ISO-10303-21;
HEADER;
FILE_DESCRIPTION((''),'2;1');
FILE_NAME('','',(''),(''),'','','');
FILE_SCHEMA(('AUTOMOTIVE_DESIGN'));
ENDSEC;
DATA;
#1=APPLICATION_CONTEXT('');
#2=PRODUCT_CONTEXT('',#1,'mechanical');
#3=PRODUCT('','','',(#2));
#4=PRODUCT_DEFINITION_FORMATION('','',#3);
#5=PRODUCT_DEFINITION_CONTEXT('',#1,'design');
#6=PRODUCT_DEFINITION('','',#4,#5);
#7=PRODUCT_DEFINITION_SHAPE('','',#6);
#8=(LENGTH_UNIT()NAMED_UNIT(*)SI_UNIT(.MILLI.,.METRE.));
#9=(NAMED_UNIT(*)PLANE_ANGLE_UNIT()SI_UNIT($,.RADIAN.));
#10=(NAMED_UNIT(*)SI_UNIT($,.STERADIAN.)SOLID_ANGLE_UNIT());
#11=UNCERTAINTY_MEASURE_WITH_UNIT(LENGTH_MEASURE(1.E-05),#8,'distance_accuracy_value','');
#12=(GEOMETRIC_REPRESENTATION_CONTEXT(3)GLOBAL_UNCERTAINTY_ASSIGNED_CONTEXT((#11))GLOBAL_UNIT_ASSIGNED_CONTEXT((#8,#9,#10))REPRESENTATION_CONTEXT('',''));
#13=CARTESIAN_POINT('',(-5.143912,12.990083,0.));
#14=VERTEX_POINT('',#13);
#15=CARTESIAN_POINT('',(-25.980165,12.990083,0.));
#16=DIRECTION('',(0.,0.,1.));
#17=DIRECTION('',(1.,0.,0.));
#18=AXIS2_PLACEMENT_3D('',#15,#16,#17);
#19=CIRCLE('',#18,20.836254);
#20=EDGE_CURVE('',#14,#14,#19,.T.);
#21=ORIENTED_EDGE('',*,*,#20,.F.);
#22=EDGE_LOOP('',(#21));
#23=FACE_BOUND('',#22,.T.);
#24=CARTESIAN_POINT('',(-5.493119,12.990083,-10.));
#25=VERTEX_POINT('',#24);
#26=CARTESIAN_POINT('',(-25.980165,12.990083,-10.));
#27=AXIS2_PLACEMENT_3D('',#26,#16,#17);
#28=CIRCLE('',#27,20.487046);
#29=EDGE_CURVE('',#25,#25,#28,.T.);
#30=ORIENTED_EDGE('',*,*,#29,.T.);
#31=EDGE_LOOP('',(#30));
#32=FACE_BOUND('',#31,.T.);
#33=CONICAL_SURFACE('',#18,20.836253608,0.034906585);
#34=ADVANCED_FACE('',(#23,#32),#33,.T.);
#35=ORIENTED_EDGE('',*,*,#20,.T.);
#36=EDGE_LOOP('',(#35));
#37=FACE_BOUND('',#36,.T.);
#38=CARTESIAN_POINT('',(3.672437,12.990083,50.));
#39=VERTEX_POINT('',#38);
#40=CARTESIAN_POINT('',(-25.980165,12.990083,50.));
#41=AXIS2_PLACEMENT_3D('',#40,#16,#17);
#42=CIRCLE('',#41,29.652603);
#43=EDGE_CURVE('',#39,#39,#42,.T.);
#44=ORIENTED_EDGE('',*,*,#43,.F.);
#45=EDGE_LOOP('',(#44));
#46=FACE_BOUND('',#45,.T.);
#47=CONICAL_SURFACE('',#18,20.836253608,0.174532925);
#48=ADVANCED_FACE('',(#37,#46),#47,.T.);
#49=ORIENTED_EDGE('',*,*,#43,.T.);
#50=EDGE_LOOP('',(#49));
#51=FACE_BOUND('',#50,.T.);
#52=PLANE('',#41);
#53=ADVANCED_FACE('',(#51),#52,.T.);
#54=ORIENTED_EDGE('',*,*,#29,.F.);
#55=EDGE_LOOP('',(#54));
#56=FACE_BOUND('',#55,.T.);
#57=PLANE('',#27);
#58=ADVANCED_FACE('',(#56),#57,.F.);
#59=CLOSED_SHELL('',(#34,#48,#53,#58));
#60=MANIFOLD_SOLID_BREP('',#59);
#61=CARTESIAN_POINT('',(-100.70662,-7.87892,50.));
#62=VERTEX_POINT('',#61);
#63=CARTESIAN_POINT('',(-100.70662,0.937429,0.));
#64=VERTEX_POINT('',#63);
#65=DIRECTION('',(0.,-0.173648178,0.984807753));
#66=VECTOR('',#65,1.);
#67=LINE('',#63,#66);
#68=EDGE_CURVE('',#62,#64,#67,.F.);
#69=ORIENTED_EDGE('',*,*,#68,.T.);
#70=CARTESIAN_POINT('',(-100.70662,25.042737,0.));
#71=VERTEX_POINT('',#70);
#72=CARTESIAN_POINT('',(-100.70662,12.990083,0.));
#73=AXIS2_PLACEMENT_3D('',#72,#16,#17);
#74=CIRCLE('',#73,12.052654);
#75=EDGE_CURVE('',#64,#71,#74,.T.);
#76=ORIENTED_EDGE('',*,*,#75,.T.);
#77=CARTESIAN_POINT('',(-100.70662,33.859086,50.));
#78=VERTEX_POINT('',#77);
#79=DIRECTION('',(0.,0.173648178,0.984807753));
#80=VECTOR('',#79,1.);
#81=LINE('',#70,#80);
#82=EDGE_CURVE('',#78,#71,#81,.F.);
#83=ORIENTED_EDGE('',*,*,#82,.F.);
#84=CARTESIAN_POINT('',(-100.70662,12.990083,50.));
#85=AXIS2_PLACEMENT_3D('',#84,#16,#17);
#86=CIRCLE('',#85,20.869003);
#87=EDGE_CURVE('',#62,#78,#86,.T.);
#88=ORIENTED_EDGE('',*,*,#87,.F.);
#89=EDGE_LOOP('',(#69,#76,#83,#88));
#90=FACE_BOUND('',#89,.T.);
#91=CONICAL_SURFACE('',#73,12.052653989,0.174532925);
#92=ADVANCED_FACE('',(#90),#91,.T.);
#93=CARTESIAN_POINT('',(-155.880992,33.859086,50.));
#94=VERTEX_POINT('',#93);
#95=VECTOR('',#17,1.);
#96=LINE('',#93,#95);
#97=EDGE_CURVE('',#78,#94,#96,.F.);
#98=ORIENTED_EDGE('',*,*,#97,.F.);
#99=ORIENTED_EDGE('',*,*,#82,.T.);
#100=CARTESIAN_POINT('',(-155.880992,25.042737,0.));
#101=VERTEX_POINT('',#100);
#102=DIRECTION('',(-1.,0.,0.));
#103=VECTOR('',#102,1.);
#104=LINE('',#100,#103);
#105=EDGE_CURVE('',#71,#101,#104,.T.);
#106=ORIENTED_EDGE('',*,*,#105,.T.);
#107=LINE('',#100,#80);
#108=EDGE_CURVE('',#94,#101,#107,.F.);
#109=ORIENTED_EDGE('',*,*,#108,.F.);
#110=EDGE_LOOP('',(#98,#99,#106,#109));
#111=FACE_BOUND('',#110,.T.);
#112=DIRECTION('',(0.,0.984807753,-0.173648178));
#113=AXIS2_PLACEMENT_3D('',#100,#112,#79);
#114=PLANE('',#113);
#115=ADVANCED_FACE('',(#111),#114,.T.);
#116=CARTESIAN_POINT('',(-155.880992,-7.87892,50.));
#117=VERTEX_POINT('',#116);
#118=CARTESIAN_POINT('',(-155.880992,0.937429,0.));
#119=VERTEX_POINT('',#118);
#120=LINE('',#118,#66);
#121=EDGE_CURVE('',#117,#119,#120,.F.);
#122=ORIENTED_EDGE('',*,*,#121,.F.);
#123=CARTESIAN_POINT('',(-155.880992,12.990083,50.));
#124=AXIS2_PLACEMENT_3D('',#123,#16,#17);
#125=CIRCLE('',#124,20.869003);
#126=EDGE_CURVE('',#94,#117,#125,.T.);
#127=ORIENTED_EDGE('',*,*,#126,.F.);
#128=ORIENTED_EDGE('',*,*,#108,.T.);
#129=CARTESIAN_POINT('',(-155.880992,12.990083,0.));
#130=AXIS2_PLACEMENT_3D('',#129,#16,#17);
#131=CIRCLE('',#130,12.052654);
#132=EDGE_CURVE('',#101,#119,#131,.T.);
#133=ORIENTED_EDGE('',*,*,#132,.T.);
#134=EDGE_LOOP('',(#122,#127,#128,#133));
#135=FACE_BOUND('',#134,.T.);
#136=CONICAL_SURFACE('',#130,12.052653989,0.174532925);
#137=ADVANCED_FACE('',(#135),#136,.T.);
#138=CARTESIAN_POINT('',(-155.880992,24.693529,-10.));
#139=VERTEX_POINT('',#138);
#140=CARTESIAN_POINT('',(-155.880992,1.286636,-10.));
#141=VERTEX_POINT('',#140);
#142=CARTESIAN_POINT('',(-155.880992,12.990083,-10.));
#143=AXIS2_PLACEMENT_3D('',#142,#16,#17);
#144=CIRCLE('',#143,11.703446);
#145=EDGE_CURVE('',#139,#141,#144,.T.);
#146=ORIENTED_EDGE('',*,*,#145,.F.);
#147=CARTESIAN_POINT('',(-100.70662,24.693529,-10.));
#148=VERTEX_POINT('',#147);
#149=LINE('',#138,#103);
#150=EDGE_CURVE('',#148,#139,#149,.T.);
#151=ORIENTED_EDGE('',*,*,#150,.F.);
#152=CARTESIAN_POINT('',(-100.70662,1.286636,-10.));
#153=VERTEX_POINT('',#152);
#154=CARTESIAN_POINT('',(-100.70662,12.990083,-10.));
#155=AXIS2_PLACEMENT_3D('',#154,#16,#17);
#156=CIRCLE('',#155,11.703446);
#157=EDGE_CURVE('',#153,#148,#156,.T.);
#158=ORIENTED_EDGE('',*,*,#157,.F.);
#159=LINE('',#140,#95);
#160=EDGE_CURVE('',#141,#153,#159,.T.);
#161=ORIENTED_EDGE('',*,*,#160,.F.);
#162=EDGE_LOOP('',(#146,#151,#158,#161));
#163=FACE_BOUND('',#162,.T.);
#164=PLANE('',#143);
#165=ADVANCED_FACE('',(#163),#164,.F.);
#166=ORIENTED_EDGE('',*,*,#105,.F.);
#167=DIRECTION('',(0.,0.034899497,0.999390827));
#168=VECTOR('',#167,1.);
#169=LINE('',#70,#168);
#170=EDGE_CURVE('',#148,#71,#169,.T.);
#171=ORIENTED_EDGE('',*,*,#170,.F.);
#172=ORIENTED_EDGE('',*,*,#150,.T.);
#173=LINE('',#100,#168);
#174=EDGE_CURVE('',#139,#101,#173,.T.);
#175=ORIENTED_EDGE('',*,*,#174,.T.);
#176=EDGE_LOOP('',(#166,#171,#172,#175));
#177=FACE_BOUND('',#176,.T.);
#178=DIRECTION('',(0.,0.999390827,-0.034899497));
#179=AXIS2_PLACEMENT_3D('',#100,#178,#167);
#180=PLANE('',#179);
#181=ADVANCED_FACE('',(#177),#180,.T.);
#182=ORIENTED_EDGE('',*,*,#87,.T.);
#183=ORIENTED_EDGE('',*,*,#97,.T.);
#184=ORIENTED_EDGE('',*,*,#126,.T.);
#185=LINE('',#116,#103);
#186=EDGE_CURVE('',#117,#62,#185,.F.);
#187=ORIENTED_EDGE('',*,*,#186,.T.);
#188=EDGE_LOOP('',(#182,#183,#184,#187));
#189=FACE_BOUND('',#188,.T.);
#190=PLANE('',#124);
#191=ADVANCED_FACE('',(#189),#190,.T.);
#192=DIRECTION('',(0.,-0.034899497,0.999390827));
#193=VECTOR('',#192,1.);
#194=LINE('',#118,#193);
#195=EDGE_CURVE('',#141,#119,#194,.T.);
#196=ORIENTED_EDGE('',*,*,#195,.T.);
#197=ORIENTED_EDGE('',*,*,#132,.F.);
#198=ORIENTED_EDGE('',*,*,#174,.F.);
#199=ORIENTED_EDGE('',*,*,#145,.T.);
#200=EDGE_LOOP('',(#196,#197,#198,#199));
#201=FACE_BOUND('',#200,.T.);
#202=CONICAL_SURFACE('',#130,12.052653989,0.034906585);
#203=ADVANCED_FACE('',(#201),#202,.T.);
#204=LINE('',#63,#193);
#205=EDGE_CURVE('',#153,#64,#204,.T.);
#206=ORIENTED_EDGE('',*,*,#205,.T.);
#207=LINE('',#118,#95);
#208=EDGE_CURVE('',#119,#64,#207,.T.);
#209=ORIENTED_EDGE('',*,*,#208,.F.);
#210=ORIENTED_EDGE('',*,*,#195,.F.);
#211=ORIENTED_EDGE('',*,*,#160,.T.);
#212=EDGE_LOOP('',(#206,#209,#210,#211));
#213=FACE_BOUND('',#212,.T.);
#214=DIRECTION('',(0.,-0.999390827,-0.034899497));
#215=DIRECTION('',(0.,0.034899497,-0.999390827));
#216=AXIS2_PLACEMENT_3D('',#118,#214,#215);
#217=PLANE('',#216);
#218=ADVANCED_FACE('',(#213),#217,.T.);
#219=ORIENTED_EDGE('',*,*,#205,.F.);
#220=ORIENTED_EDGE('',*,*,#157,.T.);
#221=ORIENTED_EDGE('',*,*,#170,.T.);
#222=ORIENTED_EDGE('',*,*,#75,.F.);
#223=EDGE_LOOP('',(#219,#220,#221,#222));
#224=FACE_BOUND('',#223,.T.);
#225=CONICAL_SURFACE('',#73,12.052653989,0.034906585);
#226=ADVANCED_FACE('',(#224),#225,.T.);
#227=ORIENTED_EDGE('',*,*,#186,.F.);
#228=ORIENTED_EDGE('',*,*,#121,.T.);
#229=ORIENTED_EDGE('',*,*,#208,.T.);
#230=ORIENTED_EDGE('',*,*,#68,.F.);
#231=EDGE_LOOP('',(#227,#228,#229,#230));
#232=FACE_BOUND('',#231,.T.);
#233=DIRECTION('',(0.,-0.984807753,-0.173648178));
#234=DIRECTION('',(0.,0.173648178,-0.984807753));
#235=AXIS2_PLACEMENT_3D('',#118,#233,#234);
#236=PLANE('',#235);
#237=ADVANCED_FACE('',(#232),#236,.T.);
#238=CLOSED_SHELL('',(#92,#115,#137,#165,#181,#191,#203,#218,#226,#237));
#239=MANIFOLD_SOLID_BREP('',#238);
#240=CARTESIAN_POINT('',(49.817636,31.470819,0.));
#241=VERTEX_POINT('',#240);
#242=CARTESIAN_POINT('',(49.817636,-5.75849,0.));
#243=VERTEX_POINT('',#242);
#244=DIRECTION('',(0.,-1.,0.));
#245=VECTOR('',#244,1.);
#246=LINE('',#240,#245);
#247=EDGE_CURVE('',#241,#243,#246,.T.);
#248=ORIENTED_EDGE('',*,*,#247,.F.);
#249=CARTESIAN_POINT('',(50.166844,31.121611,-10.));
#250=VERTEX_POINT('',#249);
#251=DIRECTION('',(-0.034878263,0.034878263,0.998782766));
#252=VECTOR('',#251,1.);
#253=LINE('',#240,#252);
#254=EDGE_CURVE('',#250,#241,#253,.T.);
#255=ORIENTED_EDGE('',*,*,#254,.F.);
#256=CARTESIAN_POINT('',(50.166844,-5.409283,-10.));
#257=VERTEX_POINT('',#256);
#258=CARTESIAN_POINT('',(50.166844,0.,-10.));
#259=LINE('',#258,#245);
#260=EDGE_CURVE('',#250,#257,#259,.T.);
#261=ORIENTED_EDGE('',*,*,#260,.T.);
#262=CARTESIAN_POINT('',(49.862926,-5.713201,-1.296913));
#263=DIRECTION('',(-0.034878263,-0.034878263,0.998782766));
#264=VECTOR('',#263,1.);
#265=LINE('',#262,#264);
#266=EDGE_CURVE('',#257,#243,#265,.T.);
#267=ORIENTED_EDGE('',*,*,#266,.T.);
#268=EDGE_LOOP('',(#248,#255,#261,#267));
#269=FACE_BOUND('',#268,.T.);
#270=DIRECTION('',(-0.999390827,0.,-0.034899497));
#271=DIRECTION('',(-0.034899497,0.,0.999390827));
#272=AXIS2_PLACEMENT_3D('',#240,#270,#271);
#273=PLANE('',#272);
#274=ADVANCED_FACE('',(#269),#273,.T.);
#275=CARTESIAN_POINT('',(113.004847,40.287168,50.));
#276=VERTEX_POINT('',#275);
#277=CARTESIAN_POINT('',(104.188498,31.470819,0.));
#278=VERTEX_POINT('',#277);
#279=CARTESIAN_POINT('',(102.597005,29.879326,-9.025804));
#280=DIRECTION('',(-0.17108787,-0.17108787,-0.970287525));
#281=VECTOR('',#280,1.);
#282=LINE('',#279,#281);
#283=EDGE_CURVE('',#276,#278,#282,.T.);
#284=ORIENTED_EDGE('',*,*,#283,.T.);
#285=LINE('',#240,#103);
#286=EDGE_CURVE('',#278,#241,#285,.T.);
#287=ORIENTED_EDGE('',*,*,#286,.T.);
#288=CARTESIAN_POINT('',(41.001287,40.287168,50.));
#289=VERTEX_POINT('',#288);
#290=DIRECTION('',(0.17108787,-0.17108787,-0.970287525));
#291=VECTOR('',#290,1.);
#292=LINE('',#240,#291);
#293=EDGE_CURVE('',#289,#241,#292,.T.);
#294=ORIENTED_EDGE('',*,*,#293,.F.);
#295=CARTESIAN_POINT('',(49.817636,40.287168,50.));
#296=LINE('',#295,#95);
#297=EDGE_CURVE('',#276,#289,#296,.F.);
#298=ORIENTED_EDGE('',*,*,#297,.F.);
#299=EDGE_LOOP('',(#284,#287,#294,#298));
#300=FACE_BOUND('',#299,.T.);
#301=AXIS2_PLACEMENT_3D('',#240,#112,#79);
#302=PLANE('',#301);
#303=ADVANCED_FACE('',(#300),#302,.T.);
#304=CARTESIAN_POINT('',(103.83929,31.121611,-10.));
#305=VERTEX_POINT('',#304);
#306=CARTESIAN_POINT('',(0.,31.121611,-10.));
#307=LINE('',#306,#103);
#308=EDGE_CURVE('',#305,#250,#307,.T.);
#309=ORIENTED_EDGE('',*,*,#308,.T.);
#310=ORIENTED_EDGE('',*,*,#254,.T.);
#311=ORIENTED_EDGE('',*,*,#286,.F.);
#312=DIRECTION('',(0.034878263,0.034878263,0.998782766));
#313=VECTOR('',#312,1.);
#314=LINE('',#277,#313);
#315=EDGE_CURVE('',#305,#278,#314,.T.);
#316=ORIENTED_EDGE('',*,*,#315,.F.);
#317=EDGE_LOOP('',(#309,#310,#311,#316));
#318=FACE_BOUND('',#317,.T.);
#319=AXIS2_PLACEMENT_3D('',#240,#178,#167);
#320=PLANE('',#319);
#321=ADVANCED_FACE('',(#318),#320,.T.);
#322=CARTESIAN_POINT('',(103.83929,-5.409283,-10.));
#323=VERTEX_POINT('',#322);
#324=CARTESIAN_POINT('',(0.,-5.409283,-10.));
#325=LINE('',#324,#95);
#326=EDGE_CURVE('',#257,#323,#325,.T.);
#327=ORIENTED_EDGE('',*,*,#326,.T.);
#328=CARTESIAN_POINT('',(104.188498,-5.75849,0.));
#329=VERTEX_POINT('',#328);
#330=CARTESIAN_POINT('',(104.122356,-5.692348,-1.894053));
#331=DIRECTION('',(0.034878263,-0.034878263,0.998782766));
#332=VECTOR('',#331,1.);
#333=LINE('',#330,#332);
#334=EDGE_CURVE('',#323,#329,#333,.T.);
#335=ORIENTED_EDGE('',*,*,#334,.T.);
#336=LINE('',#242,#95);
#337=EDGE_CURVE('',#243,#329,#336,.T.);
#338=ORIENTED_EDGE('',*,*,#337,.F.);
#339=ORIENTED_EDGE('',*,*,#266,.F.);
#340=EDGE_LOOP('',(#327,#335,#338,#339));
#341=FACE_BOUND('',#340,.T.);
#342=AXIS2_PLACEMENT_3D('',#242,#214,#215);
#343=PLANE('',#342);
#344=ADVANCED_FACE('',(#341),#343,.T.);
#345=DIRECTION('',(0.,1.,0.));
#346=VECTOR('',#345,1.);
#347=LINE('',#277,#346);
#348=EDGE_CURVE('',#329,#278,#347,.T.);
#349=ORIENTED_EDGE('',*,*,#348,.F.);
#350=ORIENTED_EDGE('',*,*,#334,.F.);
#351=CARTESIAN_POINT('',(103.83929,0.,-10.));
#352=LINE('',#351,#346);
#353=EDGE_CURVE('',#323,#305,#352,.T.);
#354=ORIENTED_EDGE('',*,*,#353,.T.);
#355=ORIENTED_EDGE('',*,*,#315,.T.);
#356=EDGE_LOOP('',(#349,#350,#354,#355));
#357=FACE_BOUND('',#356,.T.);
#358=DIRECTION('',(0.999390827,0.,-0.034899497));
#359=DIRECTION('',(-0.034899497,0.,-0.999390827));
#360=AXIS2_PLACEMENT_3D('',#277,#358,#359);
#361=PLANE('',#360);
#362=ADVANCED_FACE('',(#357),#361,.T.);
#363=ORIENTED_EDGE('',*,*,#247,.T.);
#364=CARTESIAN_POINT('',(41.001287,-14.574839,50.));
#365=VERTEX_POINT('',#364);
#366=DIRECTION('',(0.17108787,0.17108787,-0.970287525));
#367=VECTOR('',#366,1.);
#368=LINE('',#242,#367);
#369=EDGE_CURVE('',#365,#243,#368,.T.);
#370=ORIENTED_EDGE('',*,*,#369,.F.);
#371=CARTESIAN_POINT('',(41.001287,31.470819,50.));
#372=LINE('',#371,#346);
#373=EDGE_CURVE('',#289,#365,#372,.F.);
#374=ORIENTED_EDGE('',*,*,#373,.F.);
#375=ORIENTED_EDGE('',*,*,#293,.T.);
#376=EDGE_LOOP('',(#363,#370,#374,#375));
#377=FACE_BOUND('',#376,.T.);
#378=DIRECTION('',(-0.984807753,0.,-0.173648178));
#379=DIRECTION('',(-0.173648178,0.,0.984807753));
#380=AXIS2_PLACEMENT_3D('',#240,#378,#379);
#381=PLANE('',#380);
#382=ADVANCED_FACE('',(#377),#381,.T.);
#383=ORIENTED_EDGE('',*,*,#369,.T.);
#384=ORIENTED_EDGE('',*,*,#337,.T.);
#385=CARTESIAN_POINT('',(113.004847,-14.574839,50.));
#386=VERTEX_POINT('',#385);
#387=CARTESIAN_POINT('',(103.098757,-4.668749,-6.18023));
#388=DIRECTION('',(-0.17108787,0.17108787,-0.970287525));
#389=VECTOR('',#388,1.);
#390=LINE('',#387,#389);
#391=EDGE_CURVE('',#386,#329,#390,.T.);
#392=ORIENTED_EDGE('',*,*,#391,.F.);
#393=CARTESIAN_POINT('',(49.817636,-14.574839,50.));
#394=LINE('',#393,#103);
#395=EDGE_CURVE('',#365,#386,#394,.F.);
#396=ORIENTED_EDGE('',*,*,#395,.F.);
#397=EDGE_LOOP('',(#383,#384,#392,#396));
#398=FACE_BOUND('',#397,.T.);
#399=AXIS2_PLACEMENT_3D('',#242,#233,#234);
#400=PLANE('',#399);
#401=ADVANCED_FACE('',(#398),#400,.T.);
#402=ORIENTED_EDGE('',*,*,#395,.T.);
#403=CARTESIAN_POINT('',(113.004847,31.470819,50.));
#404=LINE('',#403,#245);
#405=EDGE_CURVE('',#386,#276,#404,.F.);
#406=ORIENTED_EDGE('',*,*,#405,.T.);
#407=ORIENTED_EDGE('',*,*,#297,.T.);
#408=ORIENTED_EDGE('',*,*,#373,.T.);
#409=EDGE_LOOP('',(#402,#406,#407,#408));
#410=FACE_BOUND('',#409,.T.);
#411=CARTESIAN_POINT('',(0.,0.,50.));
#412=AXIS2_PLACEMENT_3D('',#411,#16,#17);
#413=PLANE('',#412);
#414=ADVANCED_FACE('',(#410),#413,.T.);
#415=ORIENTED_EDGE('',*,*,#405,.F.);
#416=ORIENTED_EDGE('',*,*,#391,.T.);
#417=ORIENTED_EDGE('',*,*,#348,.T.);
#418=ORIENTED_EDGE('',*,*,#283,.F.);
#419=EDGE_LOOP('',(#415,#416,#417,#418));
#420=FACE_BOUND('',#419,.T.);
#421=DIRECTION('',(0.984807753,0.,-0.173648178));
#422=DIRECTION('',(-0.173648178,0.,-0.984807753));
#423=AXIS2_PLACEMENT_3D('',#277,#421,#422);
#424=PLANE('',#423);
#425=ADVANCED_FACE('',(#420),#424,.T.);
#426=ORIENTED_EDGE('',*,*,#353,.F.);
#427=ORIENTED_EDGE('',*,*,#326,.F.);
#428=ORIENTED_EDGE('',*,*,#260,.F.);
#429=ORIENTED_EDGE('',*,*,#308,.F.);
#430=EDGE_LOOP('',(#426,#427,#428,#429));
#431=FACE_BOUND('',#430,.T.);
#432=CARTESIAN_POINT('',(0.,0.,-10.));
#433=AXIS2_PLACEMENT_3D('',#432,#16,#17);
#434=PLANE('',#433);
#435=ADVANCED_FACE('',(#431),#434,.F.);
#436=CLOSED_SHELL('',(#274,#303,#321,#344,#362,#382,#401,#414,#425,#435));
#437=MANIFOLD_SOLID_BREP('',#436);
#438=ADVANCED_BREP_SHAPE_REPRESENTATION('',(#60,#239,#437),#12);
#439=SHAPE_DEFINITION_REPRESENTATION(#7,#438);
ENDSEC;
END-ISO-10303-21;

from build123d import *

# Parameters (mm, degrees)
SKETCH4_R                     = 20.836253608
SKETCH4_W                     = 54.370861329
SKETCH4_H                     = 37.229308989
BOSS_EXTRUDE1_DEPTH           = 50
BOSS_EXTRUDE1_TAPER           = -10
BOSS_EXTRUDE1_OTHER_WAY_DEPTH = 10
BOSS_EXTRUDE1_OTHER_WAY_TAPER = 2


with BuildPart() as part:
    # Sketch4 → Boss-Extrude1 (new body)
    with BuildSketch(Plane.XY):
        with Locations((-25.980165266, 12.990082633)):
            Circle(SKETCH4_R)
        with BuildLine():
            ThreePointArc((-155.880991595, 25.042736622), (-167.933645584, 12.990082633), (-155.880991595, 0.937428644))
            Line((-155.880991595, 0.937428644), (-100.706619999, 0.937428644))
            ThreePointArc((-100.706619999, 0.937428644), (-88.65396601, 12.990082633), (-100.706619999, 25.042736622))
            Line((-100.706619999, 25.042736622), (-155.880991595, 25.042736622))
        make_face()
        with Locations((77.003067153, 12.856164256)):
            Rectangle(SKETCH4_W, SKETCH4_H)
    extrude(amount=BOSS_EXTRUDE1_DEPTH, taper=BOSS_EXTRUDE1_TAPER)

    # Sketch4 → Boss-Extrude1 other way (add)
    with BuildSketch(Plane.XY):
        with Locations((-25.980165266, 12.990082633)):
            Circle(SKETCH4_R)
        with BuildLine():
            ThreePointArc((-155.880991595, 25.042736622), (-167.933645584, 12.990082633), (-155.880991595, 0.937428644))
            Line((-155.880991595, 0.937428644), (-100.706619999, 0.937428644))
            ThreePointArc((-100.706619999, 0.937428644), (-88.65396601, 12.990082633), (-100.706619999, 25.042736622))
            Line((-100.706619999, 25.042736622), (-155.880991595, 25.042736622))
        make_face()
        with Locations((77.003067153, 12.856164256)):
            Rectangle(SKETCH4_W, SKETCH4_H)
    extrude(amount=-BOSS_EXTRUDE1_OTHER_WAY_DEPTH, taper=BOSS_EXTRUDE1_OTHER_WAY_TAPER)


solid = part.part
